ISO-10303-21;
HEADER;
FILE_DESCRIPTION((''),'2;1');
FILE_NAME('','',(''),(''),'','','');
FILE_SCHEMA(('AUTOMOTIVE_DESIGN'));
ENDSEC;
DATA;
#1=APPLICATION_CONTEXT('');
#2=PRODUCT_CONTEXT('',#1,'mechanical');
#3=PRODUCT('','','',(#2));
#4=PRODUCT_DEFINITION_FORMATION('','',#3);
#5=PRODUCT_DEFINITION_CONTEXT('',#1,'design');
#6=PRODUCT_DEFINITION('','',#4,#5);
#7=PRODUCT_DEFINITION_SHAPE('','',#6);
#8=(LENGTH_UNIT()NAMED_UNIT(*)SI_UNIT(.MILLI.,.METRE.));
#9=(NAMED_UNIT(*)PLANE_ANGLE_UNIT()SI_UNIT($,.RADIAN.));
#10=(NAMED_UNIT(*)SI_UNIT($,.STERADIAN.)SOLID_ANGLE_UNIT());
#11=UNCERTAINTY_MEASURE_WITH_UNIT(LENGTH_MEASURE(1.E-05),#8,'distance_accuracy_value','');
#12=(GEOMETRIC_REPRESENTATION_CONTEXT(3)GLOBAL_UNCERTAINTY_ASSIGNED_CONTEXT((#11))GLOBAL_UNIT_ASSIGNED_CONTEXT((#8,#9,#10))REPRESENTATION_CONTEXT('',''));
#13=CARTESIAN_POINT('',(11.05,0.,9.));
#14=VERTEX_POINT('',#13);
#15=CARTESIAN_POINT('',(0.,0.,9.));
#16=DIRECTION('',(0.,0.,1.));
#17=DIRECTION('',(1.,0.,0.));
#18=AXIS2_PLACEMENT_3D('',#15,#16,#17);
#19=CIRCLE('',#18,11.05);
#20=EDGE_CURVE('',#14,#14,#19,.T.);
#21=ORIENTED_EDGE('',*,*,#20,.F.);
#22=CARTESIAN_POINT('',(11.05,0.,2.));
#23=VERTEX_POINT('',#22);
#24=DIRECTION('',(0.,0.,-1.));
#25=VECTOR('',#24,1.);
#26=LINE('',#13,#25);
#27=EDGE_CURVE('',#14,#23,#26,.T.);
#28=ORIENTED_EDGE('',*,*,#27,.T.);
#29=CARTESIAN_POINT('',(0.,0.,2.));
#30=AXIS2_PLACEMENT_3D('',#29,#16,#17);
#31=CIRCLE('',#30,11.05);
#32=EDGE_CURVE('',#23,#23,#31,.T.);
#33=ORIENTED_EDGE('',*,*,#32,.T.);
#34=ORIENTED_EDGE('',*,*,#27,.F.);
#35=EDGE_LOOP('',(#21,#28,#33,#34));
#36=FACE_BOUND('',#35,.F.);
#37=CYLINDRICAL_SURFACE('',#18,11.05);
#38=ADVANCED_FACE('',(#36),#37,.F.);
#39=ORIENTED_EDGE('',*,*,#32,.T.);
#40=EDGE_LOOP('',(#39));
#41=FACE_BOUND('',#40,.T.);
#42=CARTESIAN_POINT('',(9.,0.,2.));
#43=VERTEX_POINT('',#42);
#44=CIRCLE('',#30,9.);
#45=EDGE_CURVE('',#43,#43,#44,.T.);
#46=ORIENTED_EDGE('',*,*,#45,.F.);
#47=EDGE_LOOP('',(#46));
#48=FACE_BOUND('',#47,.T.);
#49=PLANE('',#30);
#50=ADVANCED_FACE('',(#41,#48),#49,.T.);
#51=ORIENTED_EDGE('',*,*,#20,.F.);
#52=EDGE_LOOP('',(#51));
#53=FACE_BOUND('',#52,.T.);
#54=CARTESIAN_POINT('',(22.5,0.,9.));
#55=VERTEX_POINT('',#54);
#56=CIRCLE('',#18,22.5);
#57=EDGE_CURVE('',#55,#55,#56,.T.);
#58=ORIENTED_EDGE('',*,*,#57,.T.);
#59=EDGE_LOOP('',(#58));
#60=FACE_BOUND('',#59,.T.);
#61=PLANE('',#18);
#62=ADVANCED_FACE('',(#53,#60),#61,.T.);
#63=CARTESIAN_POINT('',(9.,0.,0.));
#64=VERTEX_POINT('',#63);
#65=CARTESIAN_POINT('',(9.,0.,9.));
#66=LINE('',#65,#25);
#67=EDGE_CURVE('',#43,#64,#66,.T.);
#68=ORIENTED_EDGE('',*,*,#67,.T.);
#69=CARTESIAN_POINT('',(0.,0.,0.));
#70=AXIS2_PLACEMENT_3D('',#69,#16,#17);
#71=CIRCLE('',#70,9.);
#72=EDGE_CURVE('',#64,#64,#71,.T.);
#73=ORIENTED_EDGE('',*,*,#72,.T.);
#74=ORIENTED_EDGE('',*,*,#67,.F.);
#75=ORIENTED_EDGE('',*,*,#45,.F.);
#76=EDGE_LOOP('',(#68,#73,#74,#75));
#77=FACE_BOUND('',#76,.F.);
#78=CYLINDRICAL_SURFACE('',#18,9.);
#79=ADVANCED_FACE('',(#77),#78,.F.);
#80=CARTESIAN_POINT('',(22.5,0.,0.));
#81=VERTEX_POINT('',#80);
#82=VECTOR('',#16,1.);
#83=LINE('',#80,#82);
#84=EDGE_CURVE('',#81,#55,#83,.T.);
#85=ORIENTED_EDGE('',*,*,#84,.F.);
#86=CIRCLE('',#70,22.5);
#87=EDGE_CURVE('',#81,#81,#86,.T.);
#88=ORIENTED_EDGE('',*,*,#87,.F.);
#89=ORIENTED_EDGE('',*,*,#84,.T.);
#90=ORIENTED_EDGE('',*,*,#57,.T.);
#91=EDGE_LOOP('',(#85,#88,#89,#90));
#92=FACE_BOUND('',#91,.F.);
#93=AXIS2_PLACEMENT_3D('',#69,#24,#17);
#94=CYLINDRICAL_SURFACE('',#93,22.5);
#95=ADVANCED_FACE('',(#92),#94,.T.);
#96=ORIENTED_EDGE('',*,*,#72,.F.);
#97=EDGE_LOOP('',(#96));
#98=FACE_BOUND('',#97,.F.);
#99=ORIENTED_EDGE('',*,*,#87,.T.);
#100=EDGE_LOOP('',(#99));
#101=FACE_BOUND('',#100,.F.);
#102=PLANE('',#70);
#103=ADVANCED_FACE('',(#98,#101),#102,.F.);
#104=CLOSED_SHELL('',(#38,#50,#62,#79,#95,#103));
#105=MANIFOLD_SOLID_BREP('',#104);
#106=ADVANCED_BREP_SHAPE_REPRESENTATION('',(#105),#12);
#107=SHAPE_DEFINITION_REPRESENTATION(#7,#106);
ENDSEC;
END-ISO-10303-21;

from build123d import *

# Parameters (mm, degrees)
F0_R     = 22.5
F1_DEPTH = 9
F2_R     = 9
F3_DEPTH = 9.001
F4_R     = 11.05
F5_DEPTH = 7


with BuildPart() as f1:
    # F0 (on Top) → F1 (new body)
    with BuildSketch(Plane.XY):
        Circle(F0_R)
    extrude(amount=F1_DEPTH)

    # F2 (on face) → F3 (cut, through all)
    with BuildSketch(Plane.XY.offset(9)):
        Circle(F2_R)
    extrude(amount=-F3_DEPTH, mode=Mode.SUBTRACT)

    # F4 (on face) → F5 (cut)
    with BuildSketch(Plane.XY.offset(9)):
        Circle(F4_R)
    extrude(amount=-F5_DEPTH, mode=Mode.SUBTRACT)


solid = f1.part
